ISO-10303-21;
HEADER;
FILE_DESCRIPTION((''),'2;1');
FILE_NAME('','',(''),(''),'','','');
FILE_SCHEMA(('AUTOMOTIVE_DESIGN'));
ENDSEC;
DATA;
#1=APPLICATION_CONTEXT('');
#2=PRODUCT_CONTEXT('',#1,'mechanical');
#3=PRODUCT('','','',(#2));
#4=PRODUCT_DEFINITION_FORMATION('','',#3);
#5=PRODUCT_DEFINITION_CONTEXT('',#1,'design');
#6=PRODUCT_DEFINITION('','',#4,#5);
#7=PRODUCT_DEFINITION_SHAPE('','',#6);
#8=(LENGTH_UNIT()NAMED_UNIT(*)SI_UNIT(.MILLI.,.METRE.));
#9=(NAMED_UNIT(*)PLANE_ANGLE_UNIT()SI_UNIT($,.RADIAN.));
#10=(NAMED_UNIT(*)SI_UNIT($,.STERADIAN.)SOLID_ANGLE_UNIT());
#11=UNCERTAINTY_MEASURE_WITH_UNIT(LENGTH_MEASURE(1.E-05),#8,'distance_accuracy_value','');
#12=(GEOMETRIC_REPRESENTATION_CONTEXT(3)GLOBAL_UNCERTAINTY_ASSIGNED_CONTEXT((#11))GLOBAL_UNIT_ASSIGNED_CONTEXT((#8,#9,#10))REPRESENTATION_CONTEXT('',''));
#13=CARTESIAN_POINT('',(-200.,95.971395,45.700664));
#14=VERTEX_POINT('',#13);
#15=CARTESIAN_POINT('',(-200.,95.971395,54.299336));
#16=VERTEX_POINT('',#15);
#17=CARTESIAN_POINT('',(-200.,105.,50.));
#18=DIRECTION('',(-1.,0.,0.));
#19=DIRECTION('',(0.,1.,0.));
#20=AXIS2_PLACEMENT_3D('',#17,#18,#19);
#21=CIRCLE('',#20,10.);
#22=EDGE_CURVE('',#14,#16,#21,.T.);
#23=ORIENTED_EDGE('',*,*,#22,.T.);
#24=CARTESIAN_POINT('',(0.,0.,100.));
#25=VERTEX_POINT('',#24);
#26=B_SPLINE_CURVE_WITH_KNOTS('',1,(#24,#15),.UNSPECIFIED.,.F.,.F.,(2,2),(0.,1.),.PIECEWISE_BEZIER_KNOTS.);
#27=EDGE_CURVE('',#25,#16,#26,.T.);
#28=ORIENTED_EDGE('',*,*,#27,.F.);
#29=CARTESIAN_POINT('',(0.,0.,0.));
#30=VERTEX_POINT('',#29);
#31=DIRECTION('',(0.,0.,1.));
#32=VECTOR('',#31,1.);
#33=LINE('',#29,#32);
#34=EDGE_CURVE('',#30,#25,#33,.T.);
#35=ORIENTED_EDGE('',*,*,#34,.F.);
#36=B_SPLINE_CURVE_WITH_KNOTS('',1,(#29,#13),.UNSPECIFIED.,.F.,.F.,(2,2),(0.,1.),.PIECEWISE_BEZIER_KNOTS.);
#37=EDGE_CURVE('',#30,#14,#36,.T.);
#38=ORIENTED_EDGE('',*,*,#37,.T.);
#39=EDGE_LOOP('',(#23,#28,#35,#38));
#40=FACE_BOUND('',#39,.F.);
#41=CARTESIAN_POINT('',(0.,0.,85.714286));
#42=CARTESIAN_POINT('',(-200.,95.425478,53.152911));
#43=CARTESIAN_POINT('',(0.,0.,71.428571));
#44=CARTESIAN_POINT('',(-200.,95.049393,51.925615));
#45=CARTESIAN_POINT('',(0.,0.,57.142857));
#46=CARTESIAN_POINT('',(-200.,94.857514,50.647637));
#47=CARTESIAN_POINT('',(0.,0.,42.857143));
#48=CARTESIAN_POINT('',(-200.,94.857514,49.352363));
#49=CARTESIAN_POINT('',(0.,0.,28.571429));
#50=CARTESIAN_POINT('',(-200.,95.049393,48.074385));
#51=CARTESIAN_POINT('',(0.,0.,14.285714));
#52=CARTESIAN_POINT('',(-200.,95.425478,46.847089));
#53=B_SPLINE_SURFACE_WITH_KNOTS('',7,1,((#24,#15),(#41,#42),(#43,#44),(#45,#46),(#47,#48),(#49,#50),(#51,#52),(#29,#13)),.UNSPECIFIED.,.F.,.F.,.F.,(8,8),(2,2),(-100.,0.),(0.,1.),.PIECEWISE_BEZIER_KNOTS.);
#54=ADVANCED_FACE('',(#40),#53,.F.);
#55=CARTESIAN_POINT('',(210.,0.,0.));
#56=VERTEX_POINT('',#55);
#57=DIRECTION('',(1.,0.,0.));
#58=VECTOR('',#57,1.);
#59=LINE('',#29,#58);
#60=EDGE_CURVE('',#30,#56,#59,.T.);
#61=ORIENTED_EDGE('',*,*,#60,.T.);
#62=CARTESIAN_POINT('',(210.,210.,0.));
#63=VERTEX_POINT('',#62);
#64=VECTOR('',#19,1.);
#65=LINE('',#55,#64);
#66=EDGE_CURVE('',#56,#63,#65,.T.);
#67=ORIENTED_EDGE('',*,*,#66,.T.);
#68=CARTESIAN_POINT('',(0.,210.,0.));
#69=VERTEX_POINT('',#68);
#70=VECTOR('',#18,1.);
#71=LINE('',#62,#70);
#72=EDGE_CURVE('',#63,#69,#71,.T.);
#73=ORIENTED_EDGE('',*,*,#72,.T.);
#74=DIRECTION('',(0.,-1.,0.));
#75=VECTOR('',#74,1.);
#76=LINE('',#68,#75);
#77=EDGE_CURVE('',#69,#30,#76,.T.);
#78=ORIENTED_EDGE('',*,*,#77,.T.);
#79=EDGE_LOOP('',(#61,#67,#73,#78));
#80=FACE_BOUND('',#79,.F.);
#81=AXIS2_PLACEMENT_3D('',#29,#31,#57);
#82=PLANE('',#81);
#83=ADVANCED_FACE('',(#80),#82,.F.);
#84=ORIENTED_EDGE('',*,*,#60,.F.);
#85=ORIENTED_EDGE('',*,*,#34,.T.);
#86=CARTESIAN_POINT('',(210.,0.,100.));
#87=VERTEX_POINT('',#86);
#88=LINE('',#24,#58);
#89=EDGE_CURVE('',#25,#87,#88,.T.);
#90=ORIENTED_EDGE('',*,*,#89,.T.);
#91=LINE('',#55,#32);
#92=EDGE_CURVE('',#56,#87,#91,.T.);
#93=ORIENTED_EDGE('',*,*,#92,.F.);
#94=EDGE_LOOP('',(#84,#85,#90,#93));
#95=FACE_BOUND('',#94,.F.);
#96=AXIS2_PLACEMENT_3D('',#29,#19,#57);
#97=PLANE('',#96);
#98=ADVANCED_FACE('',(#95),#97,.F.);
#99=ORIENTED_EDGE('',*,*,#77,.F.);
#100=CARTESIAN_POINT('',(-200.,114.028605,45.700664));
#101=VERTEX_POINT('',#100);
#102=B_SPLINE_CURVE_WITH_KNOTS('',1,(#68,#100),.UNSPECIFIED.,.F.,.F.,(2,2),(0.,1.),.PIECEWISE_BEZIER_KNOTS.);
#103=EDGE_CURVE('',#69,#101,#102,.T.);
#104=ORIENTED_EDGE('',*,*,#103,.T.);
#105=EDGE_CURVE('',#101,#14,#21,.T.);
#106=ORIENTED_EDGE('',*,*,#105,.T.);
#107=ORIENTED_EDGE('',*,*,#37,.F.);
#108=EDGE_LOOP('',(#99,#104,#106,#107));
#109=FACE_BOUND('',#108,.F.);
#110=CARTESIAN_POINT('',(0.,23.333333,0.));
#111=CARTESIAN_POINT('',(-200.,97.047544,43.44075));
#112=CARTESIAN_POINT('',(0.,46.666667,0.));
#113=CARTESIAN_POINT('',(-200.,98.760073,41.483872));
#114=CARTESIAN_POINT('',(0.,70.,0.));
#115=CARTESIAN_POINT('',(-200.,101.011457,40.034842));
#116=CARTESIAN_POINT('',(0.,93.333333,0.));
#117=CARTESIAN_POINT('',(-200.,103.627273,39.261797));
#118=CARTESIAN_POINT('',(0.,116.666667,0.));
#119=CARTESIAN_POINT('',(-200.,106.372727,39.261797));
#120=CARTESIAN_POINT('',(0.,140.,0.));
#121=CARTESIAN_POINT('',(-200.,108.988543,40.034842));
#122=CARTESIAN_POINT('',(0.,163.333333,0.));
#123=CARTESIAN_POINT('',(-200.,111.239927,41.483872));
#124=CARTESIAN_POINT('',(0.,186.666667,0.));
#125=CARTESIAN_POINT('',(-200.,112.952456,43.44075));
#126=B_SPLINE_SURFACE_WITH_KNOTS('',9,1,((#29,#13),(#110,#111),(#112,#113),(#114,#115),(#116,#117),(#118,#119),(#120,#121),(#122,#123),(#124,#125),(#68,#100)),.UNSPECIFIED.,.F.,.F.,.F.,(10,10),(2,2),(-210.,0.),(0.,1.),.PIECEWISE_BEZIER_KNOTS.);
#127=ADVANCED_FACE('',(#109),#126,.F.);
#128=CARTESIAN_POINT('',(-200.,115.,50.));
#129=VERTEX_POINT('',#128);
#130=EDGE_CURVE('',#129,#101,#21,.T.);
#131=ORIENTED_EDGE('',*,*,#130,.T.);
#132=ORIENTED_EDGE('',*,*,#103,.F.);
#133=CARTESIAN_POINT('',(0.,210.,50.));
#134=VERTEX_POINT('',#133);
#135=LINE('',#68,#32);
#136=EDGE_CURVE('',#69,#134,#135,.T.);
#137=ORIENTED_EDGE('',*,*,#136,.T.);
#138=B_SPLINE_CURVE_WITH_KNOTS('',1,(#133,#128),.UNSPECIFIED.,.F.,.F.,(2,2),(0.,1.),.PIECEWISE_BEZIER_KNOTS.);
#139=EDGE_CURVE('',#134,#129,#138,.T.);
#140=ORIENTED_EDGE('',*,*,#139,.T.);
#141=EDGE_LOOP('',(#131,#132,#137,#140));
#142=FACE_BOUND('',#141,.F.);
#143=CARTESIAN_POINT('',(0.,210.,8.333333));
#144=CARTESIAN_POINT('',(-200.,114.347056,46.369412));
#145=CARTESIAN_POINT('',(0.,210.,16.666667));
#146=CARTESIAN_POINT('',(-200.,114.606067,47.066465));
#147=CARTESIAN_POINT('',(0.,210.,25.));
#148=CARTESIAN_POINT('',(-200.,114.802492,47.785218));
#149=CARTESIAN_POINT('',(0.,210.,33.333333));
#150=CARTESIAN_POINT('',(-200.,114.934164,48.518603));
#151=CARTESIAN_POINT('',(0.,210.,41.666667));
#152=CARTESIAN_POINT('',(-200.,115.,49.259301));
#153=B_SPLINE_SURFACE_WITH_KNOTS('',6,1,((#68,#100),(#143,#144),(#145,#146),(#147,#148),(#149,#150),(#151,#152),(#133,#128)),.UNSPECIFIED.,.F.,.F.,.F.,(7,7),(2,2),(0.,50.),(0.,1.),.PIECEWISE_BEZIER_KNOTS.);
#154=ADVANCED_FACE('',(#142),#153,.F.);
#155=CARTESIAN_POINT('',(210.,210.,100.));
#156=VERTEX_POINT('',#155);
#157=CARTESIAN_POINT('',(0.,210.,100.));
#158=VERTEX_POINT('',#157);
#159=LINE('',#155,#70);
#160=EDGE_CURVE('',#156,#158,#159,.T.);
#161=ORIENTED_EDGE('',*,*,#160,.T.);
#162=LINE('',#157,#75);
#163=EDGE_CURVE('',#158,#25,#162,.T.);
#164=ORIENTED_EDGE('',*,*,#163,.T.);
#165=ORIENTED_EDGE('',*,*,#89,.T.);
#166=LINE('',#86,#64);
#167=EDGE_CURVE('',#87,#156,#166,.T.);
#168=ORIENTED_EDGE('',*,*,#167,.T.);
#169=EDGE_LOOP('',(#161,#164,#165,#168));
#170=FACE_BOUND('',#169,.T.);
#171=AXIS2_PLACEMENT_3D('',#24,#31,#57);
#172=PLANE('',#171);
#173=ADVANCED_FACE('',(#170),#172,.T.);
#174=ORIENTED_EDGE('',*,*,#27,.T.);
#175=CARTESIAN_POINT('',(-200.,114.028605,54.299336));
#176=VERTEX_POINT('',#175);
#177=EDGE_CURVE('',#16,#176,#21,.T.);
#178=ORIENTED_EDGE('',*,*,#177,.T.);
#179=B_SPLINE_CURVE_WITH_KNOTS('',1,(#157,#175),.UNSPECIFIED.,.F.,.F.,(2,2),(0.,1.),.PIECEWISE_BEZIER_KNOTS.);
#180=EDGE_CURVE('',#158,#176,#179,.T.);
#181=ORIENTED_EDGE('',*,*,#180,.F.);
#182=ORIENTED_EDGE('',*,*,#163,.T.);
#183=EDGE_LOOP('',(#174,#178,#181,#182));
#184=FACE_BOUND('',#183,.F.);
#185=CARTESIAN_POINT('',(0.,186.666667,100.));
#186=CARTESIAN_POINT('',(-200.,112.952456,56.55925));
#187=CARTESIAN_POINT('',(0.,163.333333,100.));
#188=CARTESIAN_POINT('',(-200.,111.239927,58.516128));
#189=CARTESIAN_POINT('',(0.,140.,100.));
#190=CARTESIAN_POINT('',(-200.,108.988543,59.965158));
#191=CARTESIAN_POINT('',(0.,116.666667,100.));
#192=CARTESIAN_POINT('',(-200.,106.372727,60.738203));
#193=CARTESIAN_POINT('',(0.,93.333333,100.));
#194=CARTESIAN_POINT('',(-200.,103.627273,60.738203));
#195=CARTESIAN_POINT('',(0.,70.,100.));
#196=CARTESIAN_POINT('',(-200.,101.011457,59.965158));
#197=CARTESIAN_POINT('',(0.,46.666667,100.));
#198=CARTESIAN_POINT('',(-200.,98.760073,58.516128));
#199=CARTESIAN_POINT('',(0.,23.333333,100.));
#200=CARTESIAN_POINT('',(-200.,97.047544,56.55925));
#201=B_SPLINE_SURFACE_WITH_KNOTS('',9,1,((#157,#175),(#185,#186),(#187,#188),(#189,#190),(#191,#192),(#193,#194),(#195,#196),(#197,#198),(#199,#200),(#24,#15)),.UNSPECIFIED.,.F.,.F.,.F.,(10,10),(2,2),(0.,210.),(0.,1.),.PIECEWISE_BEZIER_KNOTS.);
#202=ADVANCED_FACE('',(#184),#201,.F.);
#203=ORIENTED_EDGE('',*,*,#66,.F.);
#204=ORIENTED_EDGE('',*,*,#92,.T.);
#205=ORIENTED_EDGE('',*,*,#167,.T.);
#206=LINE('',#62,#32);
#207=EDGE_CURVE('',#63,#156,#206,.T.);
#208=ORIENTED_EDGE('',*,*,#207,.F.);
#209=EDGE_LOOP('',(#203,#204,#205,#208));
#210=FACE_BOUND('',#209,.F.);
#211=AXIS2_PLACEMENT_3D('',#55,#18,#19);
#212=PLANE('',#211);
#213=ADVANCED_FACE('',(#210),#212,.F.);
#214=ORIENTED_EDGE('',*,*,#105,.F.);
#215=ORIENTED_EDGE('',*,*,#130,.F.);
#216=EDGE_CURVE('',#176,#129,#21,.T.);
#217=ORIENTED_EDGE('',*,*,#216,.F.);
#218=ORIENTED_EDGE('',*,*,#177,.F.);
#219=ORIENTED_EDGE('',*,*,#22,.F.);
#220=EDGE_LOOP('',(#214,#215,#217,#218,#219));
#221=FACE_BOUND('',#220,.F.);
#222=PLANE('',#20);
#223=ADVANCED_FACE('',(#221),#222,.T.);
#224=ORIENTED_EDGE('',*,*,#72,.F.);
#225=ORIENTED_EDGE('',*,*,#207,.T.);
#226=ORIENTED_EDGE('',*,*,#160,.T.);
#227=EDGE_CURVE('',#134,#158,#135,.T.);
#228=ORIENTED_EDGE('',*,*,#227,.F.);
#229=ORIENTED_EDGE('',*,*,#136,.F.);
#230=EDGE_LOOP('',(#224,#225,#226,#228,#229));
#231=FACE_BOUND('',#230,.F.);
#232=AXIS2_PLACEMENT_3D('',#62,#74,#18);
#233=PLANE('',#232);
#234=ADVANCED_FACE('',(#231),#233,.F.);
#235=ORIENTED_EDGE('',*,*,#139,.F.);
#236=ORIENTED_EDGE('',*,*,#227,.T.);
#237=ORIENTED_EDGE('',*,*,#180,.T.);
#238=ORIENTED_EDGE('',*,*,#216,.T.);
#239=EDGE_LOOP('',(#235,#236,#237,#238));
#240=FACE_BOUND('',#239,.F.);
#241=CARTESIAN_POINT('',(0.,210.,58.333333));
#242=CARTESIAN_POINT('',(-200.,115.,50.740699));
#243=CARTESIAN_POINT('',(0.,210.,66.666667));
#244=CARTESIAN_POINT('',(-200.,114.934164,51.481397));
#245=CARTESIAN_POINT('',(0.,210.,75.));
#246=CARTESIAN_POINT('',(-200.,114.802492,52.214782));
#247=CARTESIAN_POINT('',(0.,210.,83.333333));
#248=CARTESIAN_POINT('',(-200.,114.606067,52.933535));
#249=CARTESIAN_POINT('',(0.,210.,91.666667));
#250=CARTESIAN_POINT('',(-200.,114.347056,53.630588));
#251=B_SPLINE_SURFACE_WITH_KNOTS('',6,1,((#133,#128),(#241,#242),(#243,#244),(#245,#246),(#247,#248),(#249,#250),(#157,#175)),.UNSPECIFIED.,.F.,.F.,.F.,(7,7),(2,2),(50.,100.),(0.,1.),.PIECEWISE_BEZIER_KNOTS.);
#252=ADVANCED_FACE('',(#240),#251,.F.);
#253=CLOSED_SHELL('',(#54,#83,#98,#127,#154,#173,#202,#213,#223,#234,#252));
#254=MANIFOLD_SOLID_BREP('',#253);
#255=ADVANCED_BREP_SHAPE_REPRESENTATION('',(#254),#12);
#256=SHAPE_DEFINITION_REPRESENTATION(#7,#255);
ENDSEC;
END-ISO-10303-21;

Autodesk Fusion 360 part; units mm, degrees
sketch "Sketch1" plane through (0, 0, 0) normal (0, 0, 1) x (1, 0, 0)
  line L0 (0, 0) -> (210, 0)
  line L1 (210, 0) -> (210, 210)
  line L2 (210, 210) -> (0, 210)
  line L3 (0, 210) -> (0, 0)
  dimension "d1" = 210
  dimension "d2" = 210
extrude "Extrude1" add sketch "Sketch1" along normal blind 100
ref_plane "WorkPlane1" through (-200, 105, 50) normal (-1, 0, 0) x (0, -1, 0)
sketch "Sketch2" plane through (-200, 105, 50) normal (-1, 0, 0) x (0, 1, 0)
  circle A0 centre (0, 0) radius 10
  dimension "d6" = 20
loft "Loft1" add profiles "Sketch2" section 1 face at (0, 140, 33.3333) section 2
